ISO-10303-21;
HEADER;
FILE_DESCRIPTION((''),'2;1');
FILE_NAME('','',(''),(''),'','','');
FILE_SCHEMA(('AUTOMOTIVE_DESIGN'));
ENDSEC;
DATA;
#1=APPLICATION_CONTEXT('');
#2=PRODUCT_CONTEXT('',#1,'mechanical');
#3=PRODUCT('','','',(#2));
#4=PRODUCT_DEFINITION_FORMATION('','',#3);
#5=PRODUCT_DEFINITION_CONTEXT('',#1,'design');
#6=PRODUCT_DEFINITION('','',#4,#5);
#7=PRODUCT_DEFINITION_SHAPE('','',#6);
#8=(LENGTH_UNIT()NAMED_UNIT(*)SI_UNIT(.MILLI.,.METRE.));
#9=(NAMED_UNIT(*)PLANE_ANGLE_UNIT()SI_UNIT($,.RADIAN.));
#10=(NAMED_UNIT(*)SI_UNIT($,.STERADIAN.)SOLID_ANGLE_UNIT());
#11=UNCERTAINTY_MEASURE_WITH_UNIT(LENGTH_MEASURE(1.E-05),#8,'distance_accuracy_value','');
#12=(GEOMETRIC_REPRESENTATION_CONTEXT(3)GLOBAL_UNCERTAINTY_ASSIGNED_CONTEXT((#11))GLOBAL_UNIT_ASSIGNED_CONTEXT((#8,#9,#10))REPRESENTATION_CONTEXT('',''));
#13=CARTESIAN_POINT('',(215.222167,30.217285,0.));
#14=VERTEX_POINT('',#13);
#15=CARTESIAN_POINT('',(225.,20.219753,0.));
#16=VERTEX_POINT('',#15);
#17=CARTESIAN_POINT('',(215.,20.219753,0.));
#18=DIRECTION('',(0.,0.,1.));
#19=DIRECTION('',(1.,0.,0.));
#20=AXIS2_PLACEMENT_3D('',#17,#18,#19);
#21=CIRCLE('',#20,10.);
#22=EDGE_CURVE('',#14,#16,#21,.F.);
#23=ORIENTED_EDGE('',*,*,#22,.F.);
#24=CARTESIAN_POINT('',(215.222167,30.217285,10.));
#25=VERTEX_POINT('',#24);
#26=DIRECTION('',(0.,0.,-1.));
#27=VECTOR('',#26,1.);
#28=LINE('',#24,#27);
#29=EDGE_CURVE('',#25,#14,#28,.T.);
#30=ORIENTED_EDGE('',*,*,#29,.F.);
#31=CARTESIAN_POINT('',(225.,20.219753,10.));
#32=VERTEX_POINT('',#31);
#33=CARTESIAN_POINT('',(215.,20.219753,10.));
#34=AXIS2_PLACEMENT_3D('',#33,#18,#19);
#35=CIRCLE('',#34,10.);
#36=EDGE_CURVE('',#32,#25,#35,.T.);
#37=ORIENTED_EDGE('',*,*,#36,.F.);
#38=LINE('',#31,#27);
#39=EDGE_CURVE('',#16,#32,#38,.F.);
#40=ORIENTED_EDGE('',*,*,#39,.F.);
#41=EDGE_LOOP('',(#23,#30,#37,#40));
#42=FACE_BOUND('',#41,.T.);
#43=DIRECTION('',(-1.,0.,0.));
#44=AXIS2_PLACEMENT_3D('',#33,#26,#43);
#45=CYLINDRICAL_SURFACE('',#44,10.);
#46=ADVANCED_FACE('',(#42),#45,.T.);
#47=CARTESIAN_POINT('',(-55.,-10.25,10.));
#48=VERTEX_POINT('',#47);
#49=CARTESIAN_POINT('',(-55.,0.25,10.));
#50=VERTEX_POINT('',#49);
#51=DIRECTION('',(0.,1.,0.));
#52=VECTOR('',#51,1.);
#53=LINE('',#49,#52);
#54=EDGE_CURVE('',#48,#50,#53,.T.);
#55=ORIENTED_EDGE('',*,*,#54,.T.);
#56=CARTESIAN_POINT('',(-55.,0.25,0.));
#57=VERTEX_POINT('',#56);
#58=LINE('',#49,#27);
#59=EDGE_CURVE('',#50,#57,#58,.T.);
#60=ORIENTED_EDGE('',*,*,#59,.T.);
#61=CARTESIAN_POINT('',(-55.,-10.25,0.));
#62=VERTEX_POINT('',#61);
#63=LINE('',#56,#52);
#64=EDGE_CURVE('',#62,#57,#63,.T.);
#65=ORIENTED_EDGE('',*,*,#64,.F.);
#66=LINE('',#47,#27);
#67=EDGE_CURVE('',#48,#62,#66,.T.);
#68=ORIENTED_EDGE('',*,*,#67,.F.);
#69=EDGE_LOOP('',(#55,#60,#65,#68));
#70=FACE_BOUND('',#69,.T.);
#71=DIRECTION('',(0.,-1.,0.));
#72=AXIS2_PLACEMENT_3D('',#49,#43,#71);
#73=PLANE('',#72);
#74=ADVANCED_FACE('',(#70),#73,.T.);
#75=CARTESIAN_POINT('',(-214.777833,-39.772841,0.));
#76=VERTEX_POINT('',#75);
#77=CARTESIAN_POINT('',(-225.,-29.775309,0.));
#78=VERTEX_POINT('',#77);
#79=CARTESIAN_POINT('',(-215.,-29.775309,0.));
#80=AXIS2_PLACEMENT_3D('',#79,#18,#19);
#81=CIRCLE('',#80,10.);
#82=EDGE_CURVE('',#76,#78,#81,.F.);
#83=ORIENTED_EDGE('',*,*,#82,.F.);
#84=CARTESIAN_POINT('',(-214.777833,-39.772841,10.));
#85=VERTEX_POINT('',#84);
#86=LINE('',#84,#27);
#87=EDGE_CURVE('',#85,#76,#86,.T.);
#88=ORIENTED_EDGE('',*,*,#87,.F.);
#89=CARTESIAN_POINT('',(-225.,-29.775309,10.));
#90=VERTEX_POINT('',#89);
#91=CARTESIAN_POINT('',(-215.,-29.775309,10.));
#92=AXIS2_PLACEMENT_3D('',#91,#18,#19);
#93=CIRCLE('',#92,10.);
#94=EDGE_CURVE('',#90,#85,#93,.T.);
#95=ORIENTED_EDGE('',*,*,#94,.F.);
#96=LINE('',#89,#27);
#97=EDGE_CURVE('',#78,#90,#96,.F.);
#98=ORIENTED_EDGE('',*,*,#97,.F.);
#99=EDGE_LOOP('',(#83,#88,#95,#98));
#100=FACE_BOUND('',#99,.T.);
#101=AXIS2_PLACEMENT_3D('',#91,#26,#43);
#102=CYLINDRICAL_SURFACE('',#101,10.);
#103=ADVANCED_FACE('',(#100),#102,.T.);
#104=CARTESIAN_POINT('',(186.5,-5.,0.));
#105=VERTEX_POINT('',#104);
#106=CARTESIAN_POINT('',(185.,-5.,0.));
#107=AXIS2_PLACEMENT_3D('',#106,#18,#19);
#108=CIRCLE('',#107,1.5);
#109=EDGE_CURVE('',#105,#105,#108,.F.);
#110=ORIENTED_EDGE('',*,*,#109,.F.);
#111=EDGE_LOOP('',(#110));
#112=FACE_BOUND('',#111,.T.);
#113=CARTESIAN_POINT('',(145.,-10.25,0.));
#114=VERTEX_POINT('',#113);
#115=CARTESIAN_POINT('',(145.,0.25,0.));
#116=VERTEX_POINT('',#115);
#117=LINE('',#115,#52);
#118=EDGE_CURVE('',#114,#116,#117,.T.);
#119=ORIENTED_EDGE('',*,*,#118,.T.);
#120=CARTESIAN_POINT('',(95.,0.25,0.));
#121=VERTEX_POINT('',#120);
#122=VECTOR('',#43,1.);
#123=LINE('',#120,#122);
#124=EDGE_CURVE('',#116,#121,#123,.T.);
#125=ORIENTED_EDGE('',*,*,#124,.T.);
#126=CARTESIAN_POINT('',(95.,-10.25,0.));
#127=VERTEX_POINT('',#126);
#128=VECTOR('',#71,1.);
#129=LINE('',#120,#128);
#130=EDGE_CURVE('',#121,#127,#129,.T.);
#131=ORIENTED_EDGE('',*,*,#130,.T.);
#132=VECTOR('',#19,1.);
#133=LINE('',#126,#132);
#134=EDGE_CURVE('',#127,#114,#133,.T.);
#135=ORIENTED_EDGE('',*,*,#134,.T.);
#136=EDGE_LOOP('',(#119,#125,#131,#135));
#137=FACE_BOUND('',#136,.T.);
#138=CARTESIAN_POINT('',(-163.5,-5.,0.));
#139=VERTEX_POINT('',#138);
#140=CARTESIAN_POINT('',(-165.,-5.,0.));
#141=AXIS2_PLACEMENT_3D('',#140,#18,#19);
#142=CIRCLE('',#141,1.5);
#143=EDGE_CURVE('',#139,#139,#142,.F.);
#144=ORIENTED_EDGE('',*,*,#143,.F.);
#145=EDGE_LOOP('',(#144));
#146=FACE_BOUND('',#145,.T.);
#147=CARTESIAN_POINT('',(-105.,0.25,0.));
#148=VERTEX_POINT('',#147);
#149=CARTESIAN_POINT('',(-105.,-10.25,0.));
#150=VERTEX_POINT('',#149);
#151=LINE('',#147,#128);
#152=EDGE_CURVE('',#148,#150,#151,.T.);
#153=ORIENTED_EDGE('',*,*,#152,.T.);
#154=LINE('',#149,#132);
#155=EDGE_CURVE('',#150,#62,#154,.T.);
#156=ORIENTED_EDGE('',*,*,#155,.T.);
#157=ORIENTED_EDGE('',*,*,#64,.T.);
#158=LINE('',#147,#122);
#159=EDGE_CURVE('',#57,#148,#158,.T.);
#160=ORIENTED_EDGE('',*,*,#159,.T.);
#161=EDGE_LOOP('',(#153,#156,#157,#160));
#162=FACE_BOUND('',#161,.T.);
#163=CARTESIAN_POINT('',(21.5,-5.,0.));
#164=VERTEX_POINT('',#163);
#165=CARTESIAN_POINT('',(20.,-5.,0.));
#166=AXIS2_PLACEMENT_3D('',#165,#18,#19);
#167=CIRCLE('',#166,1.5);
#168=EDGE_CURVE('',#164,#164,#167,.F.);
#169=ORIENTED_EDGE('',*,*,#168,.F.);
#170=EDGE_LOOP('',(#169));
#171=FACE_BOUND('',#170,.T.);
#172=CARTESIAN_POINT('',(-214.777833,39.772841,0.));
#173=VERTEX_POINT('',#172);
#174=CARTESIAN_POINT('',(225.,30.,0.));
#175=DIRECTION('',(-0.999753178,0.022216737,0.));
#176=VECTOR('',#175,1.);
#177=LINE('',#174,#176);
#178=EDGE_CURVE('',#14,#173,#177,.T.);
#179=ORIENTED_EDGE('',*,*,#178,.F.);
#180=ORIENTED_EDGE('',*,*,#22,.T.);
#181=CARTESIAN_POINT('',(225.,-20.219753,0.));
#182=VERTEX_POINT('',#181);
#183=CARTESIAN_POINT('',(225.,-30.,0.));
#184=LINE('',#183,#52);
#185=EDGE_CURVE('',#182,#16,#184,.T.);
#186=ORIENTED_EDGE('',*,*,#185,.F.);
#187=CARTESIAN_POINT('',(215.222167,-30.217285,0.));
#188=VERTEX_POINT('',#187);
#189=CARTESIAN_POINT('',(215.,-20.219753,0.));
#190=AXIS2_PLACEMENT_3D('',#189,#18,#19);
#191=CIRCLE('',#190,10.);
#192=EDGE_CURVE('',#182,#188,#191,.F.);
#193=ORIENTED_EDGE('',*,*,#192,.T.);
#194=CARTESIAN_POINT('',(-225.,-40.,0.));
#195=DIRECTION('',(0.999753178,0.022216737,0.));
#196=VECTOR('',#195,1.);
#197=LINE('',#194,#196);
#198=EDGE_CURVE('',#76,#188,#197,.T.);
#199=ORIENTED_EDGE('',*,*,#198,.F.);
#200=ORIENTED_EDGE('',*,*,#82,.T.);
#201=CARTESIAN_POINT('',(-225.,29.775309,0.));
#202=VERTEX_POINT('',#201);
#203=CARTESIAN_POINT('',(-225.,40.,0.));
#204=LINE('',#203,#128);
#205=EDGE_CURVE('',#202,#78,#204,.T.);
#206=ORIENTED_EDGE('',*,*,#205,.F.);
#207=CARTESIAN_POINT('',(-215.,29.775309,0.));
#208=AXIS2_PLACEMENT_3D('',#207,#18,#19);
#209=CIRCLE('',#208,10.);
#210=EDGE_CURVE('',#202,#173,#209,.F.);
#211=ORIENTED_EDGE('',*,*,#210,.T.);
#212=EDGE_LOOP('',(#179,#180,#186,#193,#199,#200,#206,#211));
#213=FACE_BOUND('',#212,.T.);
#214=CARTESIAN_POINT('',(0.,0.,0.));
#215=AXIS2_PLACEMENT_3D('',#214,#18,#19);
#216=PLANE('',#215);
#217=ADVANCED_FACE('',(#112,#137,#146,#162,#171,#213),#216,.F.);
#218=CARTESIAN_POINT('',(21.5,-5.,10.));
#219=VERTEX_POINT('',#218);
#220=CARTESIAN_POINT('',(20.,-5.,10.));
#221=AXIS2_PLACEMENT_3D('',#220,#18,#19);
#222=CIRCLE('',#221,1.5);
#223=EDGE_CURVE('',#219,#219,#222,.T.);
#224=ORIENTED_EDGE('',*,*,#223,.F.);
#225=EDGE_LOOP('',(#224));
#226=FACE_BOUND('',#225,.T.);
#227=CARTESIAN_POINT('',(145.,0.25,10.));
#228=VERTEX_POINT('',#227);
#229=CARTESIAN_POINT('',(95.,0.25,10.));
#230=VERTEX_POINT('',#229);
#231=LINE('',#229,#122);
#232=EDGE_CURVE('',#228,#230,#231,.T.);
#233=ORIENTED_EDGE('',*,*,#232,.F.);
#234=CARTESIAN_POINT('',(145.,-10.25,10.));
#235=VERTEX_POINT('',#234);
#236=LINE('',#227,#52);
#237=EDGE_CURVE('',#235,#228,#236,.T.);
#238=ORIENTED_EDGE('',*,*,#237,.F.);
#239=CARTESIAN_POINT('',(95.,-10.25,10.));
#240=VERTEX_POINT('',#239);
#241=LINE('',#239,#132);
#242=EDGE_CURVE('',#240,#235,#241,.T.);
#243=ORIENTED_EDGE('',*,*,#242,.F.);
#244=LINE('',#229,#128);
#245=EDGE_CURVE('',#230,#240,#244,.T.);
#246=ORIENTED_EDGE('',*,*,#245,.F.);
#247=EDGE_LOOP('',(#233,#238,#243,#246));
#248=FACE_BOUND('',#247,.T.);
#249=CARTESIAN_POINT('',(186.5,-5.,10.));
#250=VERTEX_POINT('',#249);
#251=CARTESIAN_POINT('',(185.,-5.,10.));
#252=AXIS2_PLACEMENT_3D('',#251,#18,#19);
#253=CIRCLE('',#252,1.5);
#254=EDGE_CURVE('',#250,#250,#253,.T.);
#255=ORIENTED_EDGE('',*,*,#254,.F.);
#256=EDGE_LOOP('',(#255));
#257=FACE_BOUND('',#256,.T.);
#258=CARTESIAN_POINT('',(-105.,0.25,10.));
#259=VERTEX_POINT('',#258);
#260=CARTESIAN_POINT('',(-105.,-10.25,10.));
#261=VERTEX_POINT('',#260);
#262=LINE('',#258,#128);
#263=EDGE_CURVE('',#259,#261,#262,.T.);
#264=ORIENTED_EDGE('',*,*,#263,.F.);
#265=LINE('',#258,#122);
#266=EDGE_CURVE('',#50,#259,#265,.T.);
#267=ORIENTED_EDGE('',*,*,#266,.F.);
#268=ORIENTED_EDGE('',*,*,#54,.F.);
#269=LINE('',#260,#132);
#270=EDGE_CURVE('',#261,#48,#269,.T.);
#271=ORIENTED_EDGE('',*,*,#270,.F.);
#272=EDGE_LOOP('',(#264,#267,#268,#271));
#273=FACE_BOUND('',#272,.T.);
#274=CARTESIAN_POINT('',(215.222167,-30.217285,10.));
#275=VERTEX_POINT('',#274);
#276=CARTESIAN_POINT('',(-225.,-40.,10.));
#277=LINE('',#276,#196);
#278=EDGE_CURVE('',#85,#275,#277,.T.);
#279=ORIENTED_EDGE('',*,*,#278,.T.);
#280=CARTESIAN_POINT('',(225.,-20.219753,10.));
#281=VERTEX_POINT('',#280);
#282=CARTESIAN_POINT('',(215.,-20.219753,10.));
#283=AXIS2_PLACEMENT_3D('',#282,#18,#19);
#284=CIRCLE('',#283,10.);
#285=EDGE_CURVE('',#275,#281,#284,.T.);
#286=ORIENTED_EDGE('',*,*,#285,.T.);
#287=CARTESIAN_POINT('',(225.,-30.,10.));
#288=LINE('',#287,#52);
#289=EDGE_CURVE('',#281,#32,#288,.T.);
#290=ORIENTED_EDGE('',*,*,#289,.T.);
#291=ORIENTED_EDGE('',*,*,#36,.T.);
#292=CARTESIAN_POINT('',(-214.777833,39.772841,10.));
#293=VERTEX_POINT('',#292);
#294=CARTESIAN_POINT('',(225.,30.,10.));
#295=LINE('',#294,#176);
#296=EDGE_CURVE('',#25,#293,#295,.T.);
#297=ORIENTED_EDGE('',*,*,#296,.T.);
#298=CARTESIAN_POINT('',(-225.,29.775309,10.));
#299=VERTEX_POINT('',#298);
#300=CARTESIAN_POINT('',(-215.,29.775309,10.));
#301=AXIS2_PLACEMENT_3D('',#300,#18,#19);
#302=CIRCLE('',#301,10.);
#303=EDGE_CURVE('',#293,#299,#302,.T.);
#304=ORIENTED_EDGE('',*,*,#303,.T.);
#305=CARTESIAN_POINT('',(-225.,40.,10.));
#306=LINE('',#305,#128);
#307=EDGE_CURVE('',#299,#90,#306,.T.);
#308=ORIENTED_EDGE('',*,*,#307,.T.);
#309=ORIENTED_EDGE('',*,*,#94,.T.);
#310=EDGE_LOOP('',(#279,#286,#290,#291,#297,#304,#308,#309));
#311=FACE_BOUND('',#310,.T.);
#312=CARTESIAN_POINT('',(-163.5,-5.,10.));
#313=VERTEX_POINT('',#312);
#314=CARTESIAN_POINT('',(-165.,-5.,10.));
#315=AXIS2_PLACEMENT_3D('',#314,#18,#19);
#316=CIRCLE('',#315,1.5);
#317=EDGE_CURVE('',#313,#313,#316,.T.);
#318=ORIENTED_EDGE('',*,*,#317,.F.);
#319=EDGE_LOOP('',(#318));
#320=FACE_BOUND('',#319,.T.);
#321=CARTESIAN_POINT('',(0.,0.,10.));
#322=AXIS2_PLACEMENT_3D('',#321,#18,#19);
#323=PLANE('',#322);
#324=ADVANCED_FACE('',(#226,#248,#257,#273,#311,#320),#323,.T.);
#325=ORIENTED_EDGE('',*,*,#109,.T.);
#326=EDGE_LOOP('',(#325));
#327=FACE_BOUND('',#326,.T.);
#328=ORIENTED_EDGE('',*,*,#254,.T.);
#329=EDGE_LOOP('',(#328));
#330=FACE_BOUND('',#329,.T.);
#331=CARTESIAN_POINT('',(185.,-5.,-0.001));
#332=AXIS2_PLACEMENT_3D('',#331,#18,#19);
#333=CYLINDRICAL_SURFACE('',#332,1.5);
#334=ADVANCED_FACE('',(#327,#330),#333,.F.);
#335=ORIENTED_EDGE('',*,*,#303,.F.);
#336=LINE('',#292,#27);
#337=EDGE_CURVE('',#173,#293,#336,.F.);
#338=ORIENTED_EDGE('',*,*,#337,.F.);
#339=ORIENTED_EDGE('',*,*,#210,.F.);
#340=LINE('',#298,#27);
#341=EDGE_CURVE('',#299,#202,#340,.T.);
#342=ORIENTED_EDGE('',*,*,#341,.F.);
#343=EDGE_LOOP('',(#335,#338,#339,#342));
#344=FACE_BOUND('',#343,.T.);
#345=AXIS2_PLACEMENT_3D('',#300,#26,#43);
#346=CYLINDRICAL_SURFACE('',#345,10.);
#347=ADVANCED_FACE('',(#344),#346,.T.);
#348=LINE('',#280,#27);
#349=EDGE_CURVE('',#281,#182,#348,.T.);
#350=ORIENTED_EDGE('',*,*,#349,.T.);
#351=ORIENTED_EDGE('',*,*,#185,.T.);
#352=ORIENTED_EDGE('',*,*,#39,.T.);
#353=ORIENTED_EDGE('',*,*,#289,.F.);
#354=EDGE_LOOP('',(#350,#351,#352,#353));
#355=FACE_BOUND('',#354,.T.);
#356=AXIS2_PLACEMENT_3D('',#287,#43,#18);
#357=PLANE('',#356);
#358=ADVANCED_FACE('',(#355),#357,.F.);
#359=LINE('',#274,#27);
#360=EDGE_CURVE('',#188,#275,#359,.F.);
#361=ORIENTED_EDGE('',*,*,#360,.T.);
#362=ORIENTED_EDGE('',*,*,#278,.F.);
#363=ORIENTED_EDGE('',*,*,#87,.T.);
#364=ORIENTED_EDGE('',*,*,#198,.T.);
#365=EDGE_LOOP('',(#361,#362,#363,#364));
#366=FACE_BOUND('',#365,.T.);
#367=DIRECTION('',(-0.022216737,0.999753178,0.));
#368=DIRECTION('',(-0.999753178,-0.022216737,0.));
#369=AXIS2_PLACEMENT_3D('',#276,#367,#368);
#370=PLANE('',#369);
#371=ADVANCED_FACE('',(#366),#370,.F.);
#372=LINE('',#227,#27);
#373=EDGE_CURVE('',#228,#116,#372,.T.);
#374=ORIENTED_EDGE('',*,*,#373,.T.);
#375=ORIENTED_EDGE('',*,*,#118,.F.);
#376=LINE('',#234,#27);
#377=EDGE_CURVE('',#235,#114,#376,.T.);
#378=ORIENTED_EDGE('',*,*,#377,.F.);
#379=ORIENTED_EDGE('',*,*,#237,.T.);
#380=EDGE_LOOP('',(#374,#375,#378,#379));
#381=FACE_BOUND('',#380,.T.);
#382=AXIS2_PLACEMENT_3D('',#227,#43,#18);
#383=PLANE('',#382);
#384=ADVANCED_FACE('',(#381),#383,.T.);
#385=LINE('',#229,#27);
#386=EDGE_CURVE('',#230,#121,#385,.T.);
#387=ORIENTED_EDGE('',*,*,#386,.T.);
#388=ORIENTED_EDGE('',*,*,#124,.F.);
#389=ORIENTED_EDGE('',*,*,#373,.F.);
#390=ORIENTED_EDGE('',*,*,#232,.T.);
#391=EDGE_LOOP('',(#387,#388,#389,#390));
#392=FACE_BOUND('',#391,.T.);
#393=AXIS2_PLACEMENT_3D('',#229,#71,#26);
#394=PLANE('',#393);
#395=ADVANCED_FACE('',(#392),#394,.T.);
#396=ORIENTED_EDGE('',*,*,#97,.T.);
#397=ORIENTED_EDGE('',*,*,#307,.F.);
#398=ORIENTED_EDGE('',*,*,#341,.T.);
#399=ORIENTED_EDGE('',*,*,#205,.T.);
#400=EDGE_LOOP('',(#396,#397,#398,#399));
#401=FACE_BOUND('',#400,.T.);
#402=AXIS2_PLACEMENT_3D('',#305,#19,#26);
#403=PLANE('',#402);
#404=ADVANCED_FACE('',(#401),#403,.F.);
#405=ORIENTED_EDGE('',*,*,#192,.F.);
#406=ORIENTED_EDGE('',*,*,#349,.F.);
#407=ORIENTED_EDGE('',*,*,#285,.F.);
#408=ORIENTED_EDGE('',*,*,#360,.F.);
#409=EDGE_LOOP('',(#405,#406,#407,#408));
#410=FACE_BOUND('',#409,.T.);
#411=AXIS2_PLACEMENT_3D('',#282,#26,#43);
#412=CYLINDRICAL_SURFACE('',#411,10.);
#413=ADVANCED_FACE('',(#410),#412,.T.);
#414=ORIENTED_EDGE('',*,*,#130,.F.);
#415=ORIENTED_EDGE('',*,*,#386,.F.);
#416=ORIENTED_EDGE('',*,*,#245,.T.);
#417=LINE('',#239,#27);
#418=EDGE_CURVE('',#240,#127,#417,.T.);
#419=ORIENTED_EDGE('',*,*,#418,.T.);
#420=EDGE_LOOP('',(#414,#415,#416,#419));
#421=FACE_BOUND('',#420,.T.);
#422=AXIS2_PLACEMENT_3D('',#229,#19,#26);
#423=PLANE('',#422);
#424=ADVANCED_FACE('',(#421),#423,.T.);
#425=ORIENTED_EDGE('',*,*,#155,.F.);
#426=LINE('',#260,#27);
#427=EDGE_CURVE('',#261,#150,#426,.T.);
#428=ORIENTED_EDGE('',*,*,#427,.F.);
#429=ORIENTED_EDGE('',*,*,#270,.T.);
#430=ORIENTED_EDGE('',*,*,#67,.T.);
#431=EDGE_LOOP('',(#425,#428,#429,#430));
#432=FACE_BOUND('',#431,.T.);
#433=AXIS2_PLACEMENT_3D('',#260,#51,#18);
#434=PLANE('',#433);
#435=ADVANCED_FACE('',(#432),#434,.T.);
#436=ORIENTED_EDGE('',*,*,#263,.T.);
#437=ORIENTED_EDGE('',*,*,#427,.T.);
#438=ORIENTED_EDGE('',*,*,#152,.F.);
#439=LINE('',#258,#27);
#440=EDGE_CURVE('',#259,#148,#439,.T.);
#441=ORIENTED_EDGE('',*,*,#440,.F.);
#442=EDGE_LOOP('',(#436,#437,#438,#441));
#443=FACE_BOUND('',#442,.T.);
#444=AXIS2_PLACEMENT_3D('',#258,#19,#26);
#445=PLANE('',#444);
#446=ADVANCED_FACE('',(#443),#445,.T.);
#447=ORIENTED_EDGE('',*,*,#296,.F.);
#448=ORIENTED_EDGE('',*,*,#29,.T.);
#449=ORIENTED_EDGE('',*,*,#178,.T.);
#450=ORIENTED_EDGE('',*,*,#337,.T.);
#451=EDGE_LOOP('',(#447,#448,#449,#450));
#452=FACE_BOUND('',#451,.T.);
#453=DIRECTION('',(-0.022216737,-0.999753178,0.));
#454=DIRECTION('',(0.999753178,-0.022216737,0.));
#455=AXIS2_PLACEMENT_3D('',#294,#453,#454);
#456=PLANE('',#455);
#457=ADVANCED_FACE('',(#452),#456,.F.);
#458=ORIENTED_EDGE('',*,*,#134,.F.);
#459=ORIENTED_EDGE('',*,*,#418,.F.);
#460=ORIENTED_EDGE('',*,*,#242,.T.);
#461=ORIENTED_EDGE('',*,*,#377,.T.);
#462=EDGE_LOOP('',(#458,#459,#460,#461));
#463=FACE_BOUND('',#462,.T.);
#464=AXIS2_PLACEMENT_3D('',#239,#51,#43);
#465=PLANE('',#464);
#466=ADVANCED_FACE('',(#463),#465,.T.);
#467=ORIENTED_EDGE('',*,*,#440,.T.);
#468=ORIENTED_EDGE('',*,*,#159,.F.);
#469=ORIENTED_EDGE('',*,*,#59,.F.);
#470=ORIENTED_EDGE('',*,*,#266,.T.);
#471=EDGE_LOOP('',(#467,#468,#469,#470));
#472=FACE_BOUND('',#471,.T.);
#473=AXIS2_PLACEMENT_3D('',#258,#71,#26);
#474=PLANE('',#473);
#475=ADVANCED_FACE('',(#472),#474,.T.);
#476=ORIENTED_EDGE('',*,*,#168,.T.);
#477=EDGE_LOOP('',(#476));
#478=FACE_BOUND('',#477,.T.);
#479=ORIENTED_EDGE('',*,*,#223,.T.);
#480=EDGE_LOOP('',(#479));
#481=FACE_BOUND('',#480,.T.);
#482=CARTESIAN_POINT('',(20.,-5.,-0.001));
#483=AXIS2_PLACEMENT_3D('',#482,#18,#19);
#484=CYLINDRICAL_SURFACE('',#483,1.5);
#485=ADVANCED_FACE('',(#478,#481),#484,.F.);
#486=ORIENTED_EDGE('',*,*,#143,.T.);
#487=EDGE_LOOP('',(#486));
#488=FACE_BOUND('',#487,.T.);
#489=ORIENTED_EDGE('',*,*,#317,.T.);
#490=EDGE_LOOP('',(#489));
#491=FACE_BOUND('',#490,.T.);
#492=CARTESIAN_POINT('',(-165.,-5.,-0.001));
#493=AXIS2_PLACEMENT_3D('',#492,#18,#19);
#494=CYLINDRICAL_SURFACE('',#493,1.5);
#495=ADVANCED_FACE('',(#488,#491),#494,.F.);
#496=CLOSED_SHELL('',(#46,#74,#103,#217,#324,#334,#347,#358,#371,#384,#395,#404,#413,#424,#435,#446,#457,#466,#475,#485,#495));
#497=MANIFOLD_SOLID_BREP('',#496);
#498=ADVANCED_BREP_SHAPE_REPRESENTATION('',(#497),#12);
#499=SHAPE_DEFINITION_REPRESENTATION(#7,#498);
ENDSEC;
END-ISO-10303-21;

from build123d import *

# Parameters (mm, degrees)
SKETCH1_W              = 50
SKETCH1_H              = 10.5
EXTRUDE_582_DEPTH      = 10
FILLET1_R              = 10
CUT_EXTRUDE_1185_REACH = 230.707
SKETCH2_R              = 1.5


with BuildPart() as part:
    # Sketch1 → Extrude 582 (new body)
    with BuildSketch(Plane.XY):
        Polygon((-225, 40), (-225, -40), (225, -30), (225, 30), align=None)
        with Locations((-80, -5)):
            Rectangle(SKETCH1_W, SKETCH1_H, mode=Mode.SUBTRACT)
        with Locations((120, -5)):
            Rectangle(SKETCH1_W, SKETCH1_H, mode=Mode.SUBTRACT)
    extrude(amount=EXTRUDE_582_DEPTH)

    # Fillet1
    fillet1_edges = [part.edges().sort_by_distance(p)[0] for p in [
        (225, 30, 5),
        (225, -30, 5),
        (-225, -40, 5),
        (-225, 40, 5),
    ]]
    fillet(fillet1_edges, radius=FILLET1_R)

    # Sketch2 → Cut-Extrude 1185 (cut, up to next)
    with BuildSketch(Plane.XY.offset(10), mode=Mode.PRIVATE) as cut_extrude_1185_sk1:
        with Locations((-165, -5)):
            Circle(SKETCH2_R)
    cut_extrude_1185_tool1 = extrude(cut_extrude_1185_sk1.sketch, amount=-CUT_EXTRUDE_1185_REACH, mode=Mode.PRIVATE) & part.part
    # Sketch2 → Cut-Extrude 1185 (cut, up to next)
    with BuildSketch(Plane.XY.offset(10), mode=Mode.PRIVATE) as cut_extrude_1185_sk2:
        with Locations((20, -5)):
            Circle(SKETCH2_R)
    cut_extrude_1185_tool2 = extrude(cut_extrude_1185_sk2.sketch, amount=-CUT_EXTRUDE_1185_REACH, mode=Mode.PRIVATE) & part.part
    # Sketch2 → Cut-Extrude 1185 (cut, up to next)
    with BuildSketch(Plane.XY.offset(10), mode=Mode.PRIVATE) as cut_extrude_1185_sk3:
        with Locations((185, -5)):
            Circle(SKETCH2_R)
    cut_extrude_1185_tool3 = extrude(cut_extrude_1185_sk3.sketch, amount=-CUT_EXTRUDE_1185_REACH, mode=Mode.PRIVATE) & part.part
    add(cut_extrude_1185_tool1.solids().sort_by_distance((-165, -5, 10))[0], mode=Mode.SUBTRACT)
    add(cut_extrude_1185_tool2.solids().sort_by_distance((20, -5, 10))[0], mode=Mode.SUBTRACT)
    add(cut_extrude_1185_tool3.solids().sort_by_distance((185, -5, 10))[0], mode=Mode.SUBTRACT)


solid = part.part
